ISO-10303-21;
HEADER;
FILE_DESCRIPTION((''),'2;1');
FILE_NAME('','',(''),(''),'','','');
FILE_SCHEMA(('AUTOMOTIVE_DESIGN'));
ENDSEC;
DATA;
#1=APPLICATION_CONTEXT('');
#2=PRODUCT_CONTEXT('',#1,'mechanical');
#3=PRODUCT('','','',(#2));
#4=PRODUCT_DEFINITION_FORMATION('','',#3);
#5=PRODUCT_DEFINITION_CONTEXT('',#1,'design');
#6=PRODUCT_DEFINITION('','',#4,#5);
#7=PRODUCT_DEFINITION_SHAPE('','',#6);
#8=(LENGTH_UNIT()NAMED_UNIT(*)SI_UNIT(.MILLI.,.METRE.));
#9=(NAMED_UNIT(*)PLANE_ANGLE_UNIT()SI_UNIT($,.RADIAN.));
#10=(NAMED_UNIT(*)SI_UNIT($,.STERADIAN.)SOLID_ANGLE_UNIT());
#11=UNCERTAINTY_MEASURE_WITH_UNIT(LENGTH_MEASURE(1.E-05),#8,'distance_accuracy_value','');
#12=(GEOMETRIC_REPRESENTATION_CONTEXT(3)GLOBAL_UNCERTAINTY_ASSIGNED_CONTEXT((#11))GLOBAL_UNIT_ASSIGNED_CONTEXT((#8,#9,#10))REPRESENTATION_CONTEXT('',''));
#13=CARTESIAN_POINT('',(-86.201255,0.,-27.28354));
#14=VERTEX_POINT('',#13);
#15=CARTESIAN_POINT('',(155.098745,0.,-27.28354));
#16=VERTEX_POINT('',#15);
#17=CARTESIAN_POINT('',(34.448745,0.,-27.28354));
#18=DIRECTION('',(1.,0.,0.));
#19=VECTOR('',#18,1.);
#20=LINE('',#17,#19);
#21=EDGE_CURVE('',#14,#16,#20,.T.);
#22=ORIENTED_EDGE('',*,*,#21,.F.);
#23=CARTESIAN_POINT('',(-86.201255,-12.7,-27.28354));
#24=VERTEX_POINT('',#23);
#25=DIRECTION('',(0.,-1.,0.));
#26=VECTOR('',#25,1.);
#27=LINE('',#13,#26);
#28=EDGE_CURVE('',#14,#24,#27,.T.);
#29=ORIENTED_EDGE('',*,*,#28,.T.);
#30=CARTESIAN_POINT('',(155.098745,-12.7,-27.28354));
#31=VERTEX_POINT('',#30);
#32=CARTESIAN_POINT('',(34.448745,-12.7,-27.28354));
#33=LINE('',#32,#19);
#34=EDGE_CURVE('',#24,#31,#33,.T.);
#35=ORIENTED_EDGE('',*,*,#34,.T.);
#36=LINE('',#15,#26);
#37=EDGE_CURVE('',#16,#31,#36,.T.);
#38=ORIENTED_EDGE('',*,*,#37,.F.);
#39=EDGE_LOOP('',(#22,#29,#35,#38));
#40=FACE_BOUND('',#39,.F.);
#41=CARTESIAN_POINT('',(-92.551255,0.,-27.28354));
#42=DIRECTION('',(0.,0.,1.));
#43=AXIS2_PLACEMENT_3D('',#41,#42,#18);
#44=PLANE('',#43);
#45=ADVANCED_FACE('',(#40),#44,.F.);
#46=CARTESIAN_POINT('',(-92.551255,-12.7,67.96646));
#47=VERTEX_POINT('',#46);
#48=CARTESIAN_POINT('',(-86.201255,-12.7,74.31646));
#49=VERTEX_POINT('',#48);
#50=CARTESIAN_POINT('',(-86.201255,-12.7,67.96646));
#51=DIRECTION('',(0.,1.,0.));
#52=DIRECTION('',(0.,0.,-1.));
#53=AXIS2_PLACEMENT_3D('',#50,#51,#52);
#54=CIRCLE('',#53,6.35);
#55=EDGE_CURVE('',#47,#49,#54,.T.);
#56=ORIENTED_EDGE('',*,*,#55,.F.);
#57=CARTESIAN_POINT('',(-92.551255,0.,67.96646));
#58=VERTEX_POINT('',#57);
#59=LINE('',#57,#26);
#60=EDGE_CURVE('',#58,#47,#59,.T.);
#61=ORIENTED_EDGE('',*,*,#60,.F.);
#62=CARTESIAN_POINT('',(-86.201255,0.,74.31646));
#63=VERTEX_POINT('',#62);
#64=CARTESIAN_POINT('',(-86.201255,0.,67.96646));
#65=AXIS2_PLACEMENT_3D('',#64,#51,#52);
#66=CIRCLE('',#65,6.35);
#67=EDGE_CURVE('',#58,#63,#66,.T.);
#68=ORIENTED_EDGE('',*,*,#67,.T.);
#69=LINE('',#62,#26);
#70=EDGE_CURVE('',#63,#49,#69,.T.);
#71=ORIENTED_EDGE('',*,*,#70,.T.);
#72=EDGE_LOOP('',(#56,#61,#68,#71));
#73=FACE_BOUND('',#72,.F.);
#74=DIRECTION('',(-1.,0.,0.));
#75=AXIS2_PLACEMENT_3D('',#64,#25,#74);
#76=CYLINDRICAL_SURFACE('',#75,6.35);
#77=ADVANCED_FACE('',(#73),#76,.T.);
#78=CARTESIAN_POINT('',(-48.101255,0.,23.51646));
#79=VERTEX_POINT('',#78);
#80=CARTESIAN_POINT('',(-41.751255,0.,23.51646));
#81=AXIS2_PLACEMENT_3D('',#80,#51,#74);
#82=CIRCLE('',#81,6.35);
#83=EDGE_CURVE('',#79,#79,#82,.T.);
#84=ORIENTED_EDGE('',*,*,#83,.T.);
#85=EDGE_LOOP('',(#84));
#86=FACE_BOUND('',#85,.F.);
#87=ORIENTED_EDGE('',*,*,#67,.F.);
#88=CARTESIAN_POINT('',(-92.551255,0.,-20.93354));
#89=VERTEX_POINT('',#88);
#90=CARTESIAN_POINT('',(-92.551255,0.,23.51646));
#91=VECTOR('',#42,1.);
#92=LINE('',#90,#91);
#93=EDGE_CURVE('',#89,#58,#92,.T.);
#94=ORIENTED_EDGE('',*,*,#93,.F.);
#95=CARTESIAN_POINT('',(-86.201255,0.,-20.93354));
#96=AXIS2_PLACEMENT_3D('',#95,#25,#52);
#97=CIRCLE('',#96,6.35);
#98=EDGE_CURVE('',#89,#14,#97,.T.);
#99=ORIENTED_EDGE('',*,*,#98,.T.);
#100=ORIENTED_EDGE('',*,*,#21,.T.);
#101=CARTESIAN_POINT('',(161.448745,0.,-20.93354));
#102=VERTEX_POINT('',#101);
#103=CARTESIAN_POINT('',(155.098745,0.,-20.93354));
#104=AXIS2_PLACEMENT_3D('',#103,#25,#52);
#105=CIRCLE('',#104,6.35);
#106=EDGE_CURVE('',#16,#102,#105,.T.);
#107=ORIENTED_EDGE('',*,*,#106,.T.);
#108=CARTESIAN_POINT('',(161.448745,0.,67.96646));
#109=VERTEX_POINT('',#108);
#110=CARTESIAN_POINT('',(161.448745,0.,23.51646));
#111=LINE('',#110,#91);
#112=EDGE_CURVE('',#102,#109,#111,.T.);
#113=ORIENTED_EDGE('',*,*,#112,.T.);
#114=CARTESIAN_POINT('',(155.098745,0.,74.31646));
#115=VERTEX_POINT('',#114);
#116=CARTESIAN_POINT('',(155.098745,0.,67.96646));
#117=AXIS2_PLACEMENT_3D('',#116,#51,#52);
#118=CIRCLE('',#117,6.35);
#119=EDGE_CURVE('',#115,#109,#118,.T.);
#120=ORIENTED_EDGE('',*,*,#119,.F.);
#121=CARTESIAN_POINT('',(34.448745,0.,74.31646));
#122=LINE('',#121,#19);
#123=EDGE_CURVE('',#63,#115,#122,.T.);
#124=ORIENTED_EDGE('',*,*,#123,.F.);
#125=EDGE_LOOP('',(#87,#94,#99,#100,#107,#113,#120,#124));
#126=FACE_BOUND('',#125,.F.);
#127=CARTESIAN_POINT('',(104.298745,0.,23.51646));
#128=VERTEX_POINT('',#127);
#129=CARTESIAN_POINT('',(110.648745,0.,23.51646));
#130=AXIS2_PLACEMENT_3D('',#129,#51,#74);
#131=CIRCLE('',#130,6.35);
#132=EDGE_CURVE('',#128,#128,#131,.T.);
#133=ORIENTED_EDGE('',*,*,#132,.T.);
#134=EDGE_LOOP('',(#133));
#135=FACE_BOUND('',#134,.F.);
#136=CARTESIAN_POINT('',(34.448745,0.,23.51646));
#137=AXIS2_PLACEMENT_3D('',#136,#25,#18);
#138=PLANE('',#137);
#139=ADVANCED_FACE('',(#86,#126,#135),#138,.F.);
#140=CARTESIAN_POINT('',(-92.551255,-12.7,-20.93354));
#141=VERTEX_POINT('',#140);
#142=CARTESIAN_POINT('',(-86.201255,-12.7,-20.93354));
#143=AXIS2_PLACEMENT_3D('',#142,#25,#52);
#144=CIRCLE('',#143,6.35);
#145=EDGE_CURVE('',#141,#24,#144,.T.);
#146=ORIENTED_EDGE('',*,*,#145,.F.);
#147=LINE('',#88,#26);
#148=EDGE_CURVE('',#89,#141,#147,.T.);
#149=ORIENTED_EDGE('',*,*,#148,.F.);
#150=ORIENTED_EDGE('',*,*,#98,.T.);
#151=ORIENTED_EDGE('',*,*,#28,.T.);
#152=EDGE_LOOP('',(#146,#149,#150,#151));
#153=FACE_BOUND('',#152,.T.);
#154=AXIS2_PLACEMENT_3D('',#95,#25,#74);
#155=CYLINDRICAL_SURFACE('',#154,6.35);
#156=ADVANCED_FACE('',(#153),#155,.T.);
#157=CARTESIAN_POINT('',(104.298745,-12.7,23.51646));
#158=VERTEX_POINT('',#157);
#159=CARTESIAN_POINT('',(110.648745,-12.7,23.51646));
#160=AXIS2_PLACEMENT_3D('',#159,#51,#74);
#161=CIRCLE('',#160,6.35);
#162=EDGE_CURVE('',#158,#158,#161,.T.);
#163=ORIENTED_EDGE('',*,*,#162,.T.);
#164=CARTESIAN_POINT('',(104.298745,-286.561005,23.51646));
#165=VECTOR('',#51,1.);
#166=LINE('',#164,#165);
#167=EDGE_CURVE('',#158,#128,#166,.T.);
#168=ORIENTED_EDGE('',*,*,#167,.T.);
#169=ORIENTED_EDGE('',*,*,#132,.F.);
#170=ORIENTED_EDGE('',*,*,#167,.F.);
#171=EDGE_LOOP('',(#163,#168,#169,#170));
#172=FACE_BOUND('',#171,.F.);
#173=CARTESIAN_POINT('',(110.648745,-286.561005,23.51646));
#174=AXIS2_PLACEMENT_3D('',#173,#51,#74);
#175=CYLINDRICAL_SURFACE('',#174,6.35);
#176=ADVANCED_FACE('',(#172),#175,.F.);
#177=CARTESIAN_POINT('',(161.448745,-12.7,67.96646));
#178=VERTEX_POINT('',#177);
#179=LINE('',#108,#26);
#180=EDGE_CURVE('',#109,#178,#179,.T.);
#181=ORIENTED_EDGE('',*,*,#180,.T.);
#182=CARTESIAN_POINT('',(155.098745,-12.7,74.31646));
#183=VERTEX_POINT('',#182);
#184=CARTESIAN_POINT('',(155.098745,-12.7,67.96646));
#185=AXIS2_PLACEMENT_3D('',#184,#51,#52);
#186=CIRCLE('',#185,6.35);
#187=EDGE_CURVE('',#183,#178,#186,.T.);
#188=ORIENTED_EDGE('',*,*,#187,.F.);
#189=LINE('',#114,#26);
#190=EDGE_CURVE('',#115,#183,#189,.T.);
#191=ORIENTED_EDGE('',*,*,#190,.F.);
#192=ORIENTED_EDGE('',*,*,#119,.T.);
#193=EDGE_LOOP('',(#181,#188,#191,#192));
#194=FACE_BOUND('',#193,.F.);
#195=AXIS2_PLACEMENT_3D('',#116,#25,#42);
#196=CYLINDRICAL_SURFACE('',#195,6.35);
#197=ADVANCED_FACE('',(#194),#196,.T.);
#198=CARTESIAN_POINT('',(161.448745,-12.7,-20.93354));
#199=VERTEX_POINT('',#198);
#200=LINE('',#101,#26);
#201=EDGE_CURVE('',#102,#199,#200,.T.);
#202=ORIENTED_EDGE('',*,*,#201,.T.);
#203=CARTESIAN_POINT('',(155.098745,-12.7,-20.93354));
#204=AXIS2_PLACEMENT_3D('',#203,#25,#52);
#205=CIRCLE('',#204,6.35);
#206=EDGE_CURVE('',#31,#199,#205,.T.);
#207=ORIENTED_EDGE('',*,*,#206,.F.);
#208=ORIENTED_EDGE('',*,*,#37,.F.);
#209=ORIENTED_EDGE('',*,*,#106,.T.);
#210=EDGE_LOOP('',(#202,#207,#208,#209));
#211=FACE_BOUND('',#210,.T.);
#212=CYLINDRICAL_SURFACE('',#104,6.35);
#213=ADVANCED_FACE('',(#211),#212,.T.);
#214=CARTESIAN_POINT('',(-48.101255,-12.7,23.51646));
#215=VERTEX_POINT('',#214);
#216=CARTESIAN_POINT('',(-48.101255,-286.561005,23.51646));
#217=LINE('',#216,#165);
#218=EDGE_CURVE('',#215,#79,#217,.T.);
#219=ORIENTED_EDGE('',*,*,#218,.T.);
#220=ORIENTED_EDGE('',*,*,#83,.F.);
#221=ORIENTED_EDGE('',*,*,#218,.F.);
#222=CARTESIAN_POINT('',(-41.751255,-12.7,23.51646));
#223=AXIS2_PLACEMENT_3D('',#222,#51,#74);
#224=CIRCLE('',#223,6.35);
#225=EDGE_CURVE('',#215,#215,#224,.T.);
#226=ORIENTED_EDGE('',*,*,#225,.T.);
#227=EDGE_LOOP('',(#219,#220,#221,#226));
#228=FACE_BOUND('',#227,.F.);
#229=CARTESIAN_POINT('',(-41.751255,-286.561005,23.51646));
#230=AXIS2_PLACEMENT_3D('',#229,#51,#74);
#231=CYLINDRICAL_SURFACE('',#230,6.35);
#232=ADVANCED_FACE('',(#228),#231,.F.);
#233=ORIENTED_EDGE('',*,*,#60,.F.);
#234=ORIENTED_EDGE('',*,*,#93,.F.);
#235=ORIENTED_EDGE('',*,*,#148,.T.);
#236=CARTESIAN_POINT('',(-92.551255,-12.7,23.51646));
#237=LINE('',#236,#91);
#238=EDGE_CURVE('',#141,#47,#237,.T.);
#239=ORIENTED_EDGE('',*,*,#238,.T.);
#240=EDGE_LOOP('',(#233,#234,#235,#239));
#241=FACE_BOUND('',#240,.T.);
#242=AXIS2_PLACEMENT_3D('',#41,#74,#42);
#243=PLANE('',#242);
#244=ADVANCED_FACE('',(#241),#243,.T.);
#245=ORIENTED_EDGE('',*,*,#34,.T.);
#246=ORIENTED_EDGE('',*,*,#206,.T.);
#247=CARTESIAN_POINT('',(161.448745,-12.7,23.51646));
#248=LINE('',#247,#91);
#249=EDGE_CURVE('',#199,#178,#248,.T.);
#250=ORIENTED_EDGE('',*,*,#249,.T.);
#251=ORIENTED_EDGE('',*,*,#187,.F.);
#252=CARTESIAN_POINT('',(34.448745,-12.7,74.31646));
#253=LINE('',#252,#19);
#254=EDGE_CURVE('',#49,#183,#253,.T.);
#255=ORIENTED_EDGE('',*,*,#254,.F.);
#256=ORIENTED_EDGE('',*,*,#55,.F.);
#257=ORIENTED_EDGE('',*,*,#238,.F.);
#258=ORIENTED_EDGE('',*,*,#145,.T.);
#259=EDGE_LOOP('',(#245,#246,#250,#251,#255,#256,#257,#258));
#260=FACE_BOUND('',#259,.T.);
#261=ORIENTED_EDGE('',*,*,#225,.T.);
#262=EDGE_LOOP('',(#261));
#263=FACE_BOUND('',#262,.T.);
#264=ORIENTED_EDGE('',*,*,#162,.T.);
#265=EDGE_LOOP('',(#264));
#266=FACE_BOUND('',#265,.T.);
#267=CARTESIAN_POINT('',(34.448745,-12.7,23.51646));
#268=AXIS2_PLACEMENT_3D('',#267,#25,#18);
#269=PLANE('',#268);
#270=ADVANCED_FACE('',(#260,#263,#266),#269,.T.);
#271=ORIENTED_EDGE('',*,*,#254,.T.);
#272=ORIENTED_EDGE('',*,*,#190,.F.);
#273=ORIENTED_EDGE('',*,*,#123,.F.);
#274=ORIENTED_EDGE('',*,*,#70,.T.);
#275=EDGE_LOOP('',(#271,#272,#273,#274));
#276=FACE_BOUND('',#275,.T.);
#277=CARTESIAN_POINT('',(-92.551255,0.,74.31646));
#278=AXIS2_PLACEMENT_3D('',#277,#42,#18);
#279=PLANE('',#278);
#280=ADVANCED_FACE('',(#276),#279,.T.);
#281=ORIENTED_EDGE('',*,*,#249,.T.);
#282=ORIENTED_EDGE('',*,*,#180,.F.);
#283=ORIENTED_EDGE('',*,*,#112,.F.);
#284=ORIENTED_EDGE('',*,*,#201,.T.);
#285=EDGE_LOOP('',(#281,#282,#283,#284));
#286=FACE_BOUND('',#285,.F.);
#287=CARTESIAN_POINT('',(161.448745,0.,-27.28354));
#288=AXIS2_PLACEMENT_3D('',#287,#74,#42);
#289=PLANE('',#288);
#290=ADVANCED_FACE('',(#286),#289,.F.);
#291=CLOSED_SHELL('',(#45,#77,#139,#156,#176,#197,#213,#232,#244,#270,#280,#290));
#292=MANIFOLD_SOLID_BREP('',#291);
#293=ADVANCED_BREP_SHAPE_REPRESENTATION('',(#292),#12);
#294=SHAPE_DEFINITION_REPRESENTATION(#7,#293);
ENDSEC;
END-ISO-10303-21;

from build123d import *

# Parameters (mm, degrees)
F0_W     = 254
F0_H     = 101.6
F1_DEPTH = 12.7
F3_D     = 12.7
F4_R     = 6.35


with BuildPart() as f1:
    # F0 (on Front) → F1 (new body)
    with BuildSketch(Plane.XZ):
        with Locations((34.448745, 23.51646)):
            Rectangle(F0_W, F0_H)
    extrude(amount=F1_DEPTH)

    # F3 (through all)
    with Locations(Plane.XZ.offset(12.7)):
        with Locations((-41.751255, 23.51646), (110.648745, 23.51646)):
            Hole(F3_D / 2)

    # F4
    f4_edges = [f1.edges().sort_by_distance(p)[0] for p in [
        (-92.551255, -6.35, 74.31646),
        (-92.551255, -6.35, -27.28354),
        (161.448745, -6.35, 74.31646),
        (161.448745, -6.35, -27.28354),
    ]]
    fillet(f4_edges, radius=F4_R)


solid = f1.part
